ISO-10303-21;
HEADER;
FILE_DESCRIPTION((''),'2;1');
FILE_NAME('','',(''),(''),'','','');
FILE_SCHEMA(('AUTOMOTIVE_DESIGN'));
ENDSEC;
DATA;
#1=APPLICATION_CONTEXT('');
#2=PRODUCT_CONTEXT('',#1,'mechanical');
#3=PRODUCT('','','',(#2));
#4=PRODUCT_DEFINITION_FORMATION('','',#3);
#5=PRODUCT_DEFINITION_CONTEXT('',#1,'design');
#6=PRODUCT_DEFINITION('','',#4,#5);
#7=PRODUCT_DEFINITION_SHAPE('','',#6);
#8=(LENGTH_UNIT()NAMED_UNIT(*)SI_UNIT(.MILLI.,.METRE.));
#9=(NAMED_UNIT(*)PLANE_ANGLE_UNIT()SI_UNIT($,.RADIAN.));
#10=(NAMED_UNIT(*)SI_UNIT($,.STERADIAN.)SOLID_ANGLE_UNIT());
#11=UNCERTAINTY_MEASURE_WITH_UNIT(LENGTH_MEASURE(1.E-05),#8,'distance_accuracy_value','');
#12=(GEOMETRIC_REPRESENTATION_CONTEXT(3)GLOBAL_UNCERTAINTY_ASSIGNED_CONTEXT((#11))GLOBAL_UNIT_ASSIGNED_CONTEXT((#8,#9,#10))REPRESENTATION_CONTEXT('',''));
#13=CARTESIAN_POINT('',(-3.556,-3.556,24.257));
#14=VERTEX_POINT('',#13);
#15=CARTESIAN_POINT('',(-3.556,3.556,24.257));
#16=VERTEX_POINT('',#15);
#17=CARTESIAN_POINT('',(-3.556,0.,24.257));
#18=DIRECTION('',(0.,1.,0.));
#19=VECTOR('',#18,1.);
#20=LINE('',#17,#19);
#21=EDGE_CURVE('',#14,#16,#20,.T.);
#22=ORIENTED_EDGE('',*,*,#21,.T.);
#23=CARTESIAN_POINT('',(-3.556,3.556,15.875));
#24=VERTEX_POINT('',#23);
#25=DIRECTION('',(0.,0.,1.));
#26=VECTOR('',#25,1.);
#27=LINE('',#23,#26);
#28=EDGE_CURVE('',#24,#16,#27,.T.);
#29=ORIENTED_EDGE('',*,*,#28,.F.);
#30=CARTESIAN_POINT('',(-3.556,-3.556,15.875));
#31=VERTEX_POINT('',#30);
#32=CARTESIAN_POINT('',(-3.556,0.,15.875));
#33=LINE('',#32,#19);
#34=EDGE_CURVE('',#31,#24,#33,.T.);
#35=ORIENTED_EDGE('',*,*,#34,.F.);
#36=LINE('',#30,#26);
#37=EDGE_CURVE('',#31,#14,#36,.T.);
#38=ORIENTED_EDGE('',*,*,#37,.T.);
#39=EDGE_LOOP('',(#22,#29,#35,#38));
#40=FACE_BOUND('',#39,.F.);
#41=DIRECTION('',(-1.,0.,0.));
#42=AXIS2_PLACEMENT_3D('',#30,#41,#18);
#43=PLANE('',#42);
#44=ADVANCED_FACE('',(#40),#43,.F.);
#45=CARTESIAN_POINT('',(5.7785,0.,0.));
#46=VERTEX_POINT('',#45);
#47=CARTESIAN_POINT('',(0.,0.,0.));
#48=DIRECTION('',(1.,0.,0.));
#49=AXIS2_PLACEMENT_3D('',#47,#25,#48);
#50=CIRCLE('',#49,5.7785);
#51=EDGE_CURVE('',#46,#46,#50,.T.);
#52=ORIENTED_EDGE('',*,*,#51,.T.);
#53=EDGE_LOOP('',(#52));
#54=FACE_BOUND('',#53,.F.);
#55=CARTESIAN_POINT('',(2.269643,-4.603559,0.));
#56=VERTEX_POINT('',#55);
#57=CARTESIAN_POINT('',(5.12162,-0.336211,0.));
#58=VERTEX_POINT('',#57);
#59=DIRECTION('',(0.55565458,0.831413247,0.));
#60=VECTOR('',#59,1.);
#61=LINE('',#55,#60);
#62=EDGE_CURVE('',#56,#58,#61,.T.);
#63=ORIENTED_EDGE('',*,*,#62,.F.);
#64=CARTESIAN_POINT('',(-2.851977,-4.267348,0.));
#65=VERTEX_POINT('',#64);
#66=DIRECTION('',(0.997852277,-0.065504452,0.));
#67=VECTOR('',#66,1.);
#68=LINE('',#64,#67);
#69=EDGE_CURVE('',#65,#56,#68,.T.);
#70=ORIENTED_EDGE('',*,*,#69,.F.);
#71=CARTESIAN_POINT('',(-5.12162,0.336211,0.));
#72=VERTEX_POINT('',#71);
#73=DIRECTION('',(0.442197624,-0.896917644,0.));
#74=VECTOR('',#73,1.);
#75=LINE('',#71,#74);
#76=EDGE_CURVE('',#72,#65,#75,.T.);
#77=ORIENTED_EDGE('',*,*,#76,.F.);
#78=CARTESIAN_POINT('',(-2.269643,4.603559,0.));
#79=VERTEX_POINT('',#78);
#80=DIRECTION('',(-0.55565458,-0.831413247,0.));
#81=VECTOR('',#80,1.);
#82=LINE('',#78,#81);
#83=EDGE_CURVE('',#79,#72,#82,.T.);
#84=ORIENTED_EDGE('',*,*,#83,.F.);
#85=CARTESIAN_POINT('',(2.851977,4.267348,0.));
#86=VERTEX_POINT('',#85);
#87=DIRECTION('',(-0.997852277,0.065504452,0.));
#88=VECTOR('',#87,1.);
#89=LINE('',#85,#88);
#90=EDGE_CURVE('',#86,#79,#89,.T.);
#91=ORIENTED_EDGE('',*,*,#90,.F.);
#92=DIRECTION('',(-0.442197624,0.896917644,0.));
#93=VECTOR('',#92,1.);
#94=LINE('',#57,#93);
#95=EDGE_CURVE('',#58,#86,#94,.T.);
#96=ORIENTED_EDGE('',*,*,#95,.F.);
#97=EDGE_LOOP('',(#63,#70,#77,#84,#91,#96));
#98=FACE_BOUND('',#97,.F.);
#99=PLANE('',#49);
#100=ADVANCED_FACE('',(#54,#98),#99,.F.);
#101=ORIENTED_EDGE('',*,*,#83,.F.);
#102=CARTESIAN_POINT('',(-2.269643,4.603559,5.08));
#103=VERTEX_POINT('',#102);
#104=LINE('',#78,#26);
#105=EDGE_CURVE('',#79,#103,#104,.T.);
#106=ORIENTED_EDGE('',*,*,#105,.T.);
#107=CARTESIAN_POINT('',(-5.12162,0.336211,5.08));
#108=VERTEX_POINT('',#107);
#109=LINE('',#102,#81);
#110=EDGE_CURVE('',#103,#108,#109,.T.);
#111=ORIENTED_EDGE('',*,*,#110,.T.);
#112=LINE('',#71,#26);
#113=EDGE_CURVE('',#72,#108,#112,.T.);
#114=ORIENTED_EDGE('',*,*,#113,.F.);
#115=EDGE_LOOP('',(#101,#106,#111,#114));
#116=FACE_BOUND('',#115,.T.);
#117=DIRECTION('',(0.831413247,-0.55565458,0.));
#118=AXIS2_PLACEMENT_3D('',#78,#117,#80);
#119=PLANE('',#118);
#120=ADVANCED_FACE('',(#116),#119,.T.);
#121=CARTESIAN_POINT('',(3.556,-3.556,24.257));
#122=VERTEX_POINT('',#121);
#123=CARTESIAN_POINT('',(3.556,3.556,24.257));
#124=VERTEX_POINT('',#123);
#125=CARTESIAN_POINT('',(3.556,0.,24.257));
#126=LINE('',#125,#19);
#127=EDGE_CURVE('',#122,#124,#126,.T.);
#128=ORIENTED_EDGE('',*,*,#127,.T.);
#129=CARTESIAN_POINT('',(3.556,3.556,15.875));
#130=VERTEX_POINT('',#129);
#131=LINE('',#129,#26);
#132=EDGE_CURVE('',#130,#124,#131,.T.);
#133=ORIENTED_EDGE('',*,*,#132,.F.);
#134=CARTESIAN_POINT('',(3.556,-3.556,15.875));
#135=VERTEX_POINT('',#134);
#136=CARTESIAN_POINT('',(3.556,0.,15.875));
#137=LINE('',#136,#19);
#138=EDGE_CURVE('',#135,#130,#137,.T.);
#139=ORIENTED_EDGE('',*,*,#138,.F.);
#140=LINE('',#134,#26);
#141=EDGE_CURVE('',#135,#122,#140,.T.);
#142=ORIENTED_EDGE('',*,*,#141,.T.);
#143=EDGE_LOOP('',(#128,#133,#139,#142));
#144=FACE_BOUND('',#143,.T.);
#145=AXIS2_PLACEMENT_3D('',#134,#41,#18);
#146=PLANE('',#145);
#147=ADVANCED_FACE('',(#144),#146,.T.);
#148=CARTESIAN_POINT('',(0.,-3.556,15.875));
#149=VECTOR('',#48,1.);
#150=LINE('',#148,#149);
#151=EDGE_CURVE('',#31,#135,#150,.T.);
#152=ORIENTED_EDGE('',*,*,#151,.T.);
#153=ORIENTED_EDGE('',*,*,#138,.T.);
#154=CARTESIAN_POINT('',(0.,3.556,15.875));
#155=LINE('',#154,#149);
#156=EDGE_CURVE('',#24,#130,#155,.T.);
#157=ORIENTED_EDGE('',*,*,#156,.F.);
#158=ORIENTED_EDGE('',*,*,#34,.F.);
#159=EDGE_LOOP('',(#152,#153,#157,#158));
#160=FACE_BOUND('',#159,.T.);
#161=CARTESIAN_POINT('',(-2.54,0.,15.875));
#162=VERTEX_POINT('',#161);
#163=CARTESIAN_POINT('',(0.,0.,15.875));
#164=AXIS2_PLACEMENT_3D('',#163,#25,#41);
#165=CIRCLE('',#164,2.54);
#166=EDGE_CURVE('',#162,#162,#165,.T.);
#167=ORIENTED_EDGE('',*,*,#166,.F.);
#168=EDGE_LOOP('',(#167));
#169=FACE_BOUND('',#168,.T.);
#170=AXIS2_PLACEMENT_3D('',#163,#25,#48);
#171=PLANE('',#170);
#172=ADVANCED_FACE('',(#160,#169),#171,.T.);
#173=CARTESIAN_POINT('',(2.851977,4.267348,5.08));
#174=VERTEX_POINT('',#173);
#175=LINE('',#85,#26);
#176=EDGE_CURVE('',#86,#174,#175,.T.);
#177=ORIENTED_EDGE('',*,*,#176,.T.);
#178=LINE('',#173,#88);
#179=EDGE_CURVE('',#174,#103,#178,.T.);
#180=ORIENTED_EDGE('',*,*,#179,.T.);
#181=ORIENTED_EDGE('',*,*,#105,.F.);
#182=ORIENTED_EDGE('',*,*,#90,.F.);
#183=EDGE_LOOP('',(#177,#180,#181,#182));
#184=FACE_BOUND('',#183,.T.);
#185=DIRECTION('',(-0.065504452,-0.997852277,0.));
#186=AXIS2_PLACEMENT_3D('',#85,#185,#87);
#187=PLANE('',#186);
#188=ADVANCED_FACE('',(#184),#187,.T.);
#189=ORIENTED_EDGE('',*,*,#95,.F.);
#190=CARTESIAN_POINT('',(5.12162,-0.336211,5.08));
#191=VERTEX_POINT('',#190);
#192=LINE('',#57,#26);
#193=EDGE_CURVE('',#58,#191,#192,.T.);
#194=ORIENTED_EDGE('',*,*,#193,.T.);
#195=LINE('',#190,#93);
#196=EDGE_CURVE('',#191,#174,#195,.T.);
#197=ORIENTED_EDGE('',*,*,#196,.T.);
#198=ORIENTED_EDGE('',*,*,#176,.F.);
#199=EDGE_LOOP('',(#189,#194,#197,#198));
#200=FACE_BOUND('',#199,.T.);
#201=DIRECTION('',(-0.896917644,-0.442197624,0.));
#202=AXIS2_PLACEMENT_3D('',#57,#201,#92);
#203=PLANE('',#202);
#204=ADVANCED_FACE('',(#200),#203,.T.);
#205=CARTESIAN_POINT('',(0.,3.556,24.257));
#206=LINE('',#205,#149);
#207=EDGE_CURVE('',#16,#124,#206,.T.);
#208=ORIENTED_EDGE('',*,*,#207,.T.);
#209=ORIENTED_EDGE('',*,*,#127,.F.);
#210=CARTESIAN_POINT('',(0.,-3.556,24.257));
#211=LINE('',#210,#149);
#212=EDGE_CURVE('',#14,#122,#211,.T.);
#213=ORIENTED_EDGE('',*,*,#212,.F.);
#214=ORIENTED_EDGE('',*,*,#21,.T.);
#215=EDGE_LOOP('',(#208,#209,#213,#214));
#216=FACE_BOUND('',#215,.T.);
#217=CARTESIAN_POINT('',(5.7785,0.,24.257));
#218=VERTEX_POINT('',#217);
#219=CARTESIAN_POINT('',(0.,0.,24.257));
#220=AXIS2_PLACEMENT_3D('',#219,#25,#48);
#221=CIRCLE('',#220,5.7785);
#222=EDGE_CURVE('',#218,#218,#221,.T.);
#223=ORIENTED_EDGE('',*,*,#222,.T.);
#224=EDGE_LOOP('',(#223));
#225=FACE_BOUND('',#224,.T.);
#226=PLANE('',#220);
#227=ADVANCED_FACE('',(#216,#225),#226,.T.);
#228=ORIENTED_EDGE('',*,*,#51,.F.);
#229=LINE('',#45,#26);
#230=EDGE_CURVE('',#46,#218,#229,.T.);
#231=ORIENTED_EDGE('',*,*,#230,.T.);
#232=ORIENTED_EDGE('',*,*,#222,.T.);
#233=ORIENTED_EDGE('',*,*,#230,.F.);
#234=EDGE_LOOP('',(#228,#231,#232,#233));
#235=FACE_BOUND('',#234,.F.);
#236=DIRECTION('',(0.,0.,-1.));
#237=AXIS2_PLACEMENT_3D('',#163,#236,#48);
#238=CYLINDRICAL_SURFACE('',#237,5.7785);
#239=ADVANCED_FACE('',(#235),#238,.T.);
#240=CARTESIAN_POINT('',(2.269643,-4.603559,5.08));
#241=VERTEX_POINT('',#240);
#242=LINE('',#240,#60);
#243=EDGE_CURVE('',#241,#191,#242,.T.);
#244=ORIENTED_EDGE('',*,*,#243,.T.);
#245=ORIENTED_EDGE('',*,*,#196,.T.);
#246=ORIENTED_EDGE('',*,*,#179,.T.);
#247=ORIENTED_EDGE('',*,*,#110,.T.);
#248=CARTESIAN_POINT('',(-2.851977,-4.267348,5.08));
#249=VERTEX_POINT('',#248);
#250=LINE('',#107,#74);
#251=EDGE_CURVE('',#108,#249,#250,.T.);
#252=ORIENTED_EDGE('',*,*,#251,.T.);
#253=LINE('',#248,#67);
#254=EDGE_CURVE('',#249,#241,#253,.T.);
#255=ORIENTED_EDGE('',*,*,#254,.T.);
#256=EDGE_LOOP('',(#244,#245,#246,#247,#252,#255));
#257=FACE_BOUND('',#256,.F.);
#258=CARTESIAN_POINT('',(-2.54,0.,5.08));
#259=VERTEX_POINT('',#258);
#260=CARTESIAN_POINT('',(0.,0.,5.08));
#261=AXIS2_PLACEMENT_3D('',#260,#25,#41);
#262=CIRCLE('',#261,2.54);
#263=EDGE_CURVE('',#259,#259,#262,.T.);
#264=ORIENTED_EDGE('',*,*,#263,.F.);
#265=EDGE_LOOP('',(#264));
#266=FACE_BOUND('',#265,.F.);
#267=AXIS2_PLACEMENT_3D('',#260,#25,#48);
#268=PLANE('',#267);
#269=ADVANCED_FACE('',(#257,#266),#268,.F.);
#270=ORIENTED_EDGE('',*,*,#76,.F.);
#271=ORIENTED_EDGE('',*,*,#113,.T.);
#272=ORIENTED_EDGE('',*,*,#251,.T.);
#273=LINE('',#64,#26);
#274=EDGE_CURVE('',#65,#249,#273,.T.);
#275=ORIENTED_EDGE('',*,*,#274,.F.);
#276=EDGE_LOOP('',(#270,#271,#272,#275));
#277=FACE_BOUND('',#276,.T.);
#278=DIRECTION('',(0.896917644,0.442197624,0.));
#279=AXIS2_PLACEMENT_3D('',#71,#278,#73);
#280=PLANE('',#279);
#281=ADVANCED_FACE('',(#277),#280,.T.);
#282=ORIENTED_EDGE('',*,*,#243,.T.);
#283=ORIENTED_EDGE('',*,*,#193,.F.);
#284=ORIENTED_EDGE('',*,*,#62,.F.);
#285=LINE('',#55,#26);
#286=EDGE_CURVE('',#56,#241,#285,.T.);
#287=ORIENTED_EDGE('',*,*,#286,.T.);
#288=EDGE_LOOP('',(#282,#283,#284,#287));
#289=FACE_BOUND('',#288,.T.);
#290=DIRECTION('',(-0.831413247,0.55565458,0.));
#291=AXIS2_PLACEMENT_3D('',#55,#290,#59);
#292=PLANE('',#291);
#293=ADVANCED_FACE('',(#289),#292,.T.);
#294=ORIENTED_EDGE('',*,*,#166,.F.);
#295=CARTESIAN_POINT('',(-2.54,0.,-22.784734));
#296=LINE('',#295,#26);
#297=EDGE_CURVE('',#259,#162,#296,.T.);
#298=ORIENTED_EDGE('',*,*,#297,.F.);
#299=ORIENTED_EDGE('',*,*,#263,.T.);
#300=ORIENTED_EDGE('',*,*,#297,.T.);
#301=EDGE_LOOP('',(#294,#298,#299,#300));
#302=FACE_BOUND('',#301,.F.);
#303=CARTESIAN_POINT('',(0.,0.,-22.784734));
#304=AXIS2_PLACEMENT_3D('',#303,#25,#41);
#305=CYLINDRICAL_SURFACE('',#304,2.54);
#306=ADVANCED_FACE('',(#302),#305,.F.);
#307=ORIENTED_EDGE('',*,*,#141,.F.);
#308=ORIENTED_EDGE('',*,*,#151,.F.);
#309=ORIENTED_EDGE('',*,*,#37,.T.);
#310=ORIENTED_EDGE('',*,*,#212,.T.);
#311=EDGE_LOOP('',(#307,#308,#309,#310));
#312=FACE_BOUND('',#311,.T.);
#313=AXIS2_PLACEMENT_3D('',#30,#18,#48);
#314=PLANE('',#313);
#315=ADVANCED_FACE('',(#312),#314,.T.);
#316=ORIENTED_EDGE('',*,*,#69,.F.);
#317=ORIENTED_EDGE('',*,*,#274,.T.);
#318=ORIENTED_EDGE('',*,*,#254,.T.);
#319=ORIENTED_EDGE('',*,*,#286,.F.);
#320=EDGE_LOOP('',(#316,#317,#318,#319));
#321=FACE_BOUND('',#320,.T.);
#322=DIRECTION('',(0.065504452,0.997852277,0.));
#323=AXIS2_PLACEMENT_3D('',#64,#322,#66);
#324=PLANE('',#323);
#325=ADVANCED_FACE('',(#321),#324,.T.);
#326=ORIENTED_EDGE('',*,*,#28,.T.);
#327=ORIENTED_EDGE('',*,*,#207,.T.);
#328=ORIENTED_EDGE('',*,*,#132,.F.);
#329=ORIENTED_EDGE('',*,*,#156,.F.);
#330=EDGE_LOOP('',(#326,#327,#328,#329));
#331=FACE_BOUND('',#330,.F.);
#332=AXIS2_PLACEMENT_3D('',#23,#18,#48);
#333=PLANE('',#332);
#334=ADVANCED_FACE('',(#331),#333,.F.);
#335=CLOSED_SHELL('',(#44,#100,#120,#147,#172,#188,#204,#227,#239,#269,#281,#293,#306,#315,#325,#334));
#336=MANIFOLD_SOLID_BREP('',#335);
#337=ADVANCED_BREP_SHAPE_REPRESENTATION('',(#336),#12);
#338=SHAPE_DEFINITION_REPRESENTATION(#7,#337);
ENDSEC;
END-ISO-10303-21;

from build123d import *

# Parameters (mm, degrees)
F0_R     = 5.7785
F1_DEPTH = 15.875
F2_DEPTH = 5.08
F3_D     = 5.08
F5_R     = 5.7785
F5_W     = 7.112
F5_H     = 7.112
F6_DEPTH = 8.382


with BuildPart() as f1:
    # F0 (on Top) → F1 (new body)
    with BuildSketch(Plane.XY):
        Circle(F0_R)
        Polygon((2.851977, 4.267348), (5.12162, -0.336211), (2.269643, -4.603559), (-2.851977, -4.267348), (-5.12162, 0.336211), (-2.269643, 4.603559), align=None, mode=Mode.SUBTRACT)
        Polygon((2.269643, -4.603559), (5.12162, -0.336211), (2.851977, 4.267348), (-2.269643, 4.603559), (-5.12162, 0.336211), (-2.851977, -4.267348), align=None)
    extrude(amount=F1_DEPTH)

    # F0 (on Top) → F2 (cut)
    with BuildSketch(Plane.XY):
        Polygon((2.269643, -4.603559), (5.12162, -0.336211), (2.851977, 4.267348), (-2.269643, 4.603559), (-5.12162, 0.336211), (-2.851977, -4.267348), align=None)
    extrude(amount=F2_DEPTH, mode=Mode.SUBTRACT)

    # F3 (through all)
    with Locations(Plane(origin=(0, 0, 0), x_dir=(1, 0, 0), z_dir=(0, 0, -1))):
        with Locations((0, 0)):
            Hole(F3_D / 2)

    # F5 (on face) → F6 (join)
    with BuildSketch(Plane.XY.offset(15.875)):
        Circle(F5_R)
        Rectangle(F5_W, F5_H, mode=Mode.SUBTRACT)
    extrude(amount=F6_DEPTH)


solid = f1.part
